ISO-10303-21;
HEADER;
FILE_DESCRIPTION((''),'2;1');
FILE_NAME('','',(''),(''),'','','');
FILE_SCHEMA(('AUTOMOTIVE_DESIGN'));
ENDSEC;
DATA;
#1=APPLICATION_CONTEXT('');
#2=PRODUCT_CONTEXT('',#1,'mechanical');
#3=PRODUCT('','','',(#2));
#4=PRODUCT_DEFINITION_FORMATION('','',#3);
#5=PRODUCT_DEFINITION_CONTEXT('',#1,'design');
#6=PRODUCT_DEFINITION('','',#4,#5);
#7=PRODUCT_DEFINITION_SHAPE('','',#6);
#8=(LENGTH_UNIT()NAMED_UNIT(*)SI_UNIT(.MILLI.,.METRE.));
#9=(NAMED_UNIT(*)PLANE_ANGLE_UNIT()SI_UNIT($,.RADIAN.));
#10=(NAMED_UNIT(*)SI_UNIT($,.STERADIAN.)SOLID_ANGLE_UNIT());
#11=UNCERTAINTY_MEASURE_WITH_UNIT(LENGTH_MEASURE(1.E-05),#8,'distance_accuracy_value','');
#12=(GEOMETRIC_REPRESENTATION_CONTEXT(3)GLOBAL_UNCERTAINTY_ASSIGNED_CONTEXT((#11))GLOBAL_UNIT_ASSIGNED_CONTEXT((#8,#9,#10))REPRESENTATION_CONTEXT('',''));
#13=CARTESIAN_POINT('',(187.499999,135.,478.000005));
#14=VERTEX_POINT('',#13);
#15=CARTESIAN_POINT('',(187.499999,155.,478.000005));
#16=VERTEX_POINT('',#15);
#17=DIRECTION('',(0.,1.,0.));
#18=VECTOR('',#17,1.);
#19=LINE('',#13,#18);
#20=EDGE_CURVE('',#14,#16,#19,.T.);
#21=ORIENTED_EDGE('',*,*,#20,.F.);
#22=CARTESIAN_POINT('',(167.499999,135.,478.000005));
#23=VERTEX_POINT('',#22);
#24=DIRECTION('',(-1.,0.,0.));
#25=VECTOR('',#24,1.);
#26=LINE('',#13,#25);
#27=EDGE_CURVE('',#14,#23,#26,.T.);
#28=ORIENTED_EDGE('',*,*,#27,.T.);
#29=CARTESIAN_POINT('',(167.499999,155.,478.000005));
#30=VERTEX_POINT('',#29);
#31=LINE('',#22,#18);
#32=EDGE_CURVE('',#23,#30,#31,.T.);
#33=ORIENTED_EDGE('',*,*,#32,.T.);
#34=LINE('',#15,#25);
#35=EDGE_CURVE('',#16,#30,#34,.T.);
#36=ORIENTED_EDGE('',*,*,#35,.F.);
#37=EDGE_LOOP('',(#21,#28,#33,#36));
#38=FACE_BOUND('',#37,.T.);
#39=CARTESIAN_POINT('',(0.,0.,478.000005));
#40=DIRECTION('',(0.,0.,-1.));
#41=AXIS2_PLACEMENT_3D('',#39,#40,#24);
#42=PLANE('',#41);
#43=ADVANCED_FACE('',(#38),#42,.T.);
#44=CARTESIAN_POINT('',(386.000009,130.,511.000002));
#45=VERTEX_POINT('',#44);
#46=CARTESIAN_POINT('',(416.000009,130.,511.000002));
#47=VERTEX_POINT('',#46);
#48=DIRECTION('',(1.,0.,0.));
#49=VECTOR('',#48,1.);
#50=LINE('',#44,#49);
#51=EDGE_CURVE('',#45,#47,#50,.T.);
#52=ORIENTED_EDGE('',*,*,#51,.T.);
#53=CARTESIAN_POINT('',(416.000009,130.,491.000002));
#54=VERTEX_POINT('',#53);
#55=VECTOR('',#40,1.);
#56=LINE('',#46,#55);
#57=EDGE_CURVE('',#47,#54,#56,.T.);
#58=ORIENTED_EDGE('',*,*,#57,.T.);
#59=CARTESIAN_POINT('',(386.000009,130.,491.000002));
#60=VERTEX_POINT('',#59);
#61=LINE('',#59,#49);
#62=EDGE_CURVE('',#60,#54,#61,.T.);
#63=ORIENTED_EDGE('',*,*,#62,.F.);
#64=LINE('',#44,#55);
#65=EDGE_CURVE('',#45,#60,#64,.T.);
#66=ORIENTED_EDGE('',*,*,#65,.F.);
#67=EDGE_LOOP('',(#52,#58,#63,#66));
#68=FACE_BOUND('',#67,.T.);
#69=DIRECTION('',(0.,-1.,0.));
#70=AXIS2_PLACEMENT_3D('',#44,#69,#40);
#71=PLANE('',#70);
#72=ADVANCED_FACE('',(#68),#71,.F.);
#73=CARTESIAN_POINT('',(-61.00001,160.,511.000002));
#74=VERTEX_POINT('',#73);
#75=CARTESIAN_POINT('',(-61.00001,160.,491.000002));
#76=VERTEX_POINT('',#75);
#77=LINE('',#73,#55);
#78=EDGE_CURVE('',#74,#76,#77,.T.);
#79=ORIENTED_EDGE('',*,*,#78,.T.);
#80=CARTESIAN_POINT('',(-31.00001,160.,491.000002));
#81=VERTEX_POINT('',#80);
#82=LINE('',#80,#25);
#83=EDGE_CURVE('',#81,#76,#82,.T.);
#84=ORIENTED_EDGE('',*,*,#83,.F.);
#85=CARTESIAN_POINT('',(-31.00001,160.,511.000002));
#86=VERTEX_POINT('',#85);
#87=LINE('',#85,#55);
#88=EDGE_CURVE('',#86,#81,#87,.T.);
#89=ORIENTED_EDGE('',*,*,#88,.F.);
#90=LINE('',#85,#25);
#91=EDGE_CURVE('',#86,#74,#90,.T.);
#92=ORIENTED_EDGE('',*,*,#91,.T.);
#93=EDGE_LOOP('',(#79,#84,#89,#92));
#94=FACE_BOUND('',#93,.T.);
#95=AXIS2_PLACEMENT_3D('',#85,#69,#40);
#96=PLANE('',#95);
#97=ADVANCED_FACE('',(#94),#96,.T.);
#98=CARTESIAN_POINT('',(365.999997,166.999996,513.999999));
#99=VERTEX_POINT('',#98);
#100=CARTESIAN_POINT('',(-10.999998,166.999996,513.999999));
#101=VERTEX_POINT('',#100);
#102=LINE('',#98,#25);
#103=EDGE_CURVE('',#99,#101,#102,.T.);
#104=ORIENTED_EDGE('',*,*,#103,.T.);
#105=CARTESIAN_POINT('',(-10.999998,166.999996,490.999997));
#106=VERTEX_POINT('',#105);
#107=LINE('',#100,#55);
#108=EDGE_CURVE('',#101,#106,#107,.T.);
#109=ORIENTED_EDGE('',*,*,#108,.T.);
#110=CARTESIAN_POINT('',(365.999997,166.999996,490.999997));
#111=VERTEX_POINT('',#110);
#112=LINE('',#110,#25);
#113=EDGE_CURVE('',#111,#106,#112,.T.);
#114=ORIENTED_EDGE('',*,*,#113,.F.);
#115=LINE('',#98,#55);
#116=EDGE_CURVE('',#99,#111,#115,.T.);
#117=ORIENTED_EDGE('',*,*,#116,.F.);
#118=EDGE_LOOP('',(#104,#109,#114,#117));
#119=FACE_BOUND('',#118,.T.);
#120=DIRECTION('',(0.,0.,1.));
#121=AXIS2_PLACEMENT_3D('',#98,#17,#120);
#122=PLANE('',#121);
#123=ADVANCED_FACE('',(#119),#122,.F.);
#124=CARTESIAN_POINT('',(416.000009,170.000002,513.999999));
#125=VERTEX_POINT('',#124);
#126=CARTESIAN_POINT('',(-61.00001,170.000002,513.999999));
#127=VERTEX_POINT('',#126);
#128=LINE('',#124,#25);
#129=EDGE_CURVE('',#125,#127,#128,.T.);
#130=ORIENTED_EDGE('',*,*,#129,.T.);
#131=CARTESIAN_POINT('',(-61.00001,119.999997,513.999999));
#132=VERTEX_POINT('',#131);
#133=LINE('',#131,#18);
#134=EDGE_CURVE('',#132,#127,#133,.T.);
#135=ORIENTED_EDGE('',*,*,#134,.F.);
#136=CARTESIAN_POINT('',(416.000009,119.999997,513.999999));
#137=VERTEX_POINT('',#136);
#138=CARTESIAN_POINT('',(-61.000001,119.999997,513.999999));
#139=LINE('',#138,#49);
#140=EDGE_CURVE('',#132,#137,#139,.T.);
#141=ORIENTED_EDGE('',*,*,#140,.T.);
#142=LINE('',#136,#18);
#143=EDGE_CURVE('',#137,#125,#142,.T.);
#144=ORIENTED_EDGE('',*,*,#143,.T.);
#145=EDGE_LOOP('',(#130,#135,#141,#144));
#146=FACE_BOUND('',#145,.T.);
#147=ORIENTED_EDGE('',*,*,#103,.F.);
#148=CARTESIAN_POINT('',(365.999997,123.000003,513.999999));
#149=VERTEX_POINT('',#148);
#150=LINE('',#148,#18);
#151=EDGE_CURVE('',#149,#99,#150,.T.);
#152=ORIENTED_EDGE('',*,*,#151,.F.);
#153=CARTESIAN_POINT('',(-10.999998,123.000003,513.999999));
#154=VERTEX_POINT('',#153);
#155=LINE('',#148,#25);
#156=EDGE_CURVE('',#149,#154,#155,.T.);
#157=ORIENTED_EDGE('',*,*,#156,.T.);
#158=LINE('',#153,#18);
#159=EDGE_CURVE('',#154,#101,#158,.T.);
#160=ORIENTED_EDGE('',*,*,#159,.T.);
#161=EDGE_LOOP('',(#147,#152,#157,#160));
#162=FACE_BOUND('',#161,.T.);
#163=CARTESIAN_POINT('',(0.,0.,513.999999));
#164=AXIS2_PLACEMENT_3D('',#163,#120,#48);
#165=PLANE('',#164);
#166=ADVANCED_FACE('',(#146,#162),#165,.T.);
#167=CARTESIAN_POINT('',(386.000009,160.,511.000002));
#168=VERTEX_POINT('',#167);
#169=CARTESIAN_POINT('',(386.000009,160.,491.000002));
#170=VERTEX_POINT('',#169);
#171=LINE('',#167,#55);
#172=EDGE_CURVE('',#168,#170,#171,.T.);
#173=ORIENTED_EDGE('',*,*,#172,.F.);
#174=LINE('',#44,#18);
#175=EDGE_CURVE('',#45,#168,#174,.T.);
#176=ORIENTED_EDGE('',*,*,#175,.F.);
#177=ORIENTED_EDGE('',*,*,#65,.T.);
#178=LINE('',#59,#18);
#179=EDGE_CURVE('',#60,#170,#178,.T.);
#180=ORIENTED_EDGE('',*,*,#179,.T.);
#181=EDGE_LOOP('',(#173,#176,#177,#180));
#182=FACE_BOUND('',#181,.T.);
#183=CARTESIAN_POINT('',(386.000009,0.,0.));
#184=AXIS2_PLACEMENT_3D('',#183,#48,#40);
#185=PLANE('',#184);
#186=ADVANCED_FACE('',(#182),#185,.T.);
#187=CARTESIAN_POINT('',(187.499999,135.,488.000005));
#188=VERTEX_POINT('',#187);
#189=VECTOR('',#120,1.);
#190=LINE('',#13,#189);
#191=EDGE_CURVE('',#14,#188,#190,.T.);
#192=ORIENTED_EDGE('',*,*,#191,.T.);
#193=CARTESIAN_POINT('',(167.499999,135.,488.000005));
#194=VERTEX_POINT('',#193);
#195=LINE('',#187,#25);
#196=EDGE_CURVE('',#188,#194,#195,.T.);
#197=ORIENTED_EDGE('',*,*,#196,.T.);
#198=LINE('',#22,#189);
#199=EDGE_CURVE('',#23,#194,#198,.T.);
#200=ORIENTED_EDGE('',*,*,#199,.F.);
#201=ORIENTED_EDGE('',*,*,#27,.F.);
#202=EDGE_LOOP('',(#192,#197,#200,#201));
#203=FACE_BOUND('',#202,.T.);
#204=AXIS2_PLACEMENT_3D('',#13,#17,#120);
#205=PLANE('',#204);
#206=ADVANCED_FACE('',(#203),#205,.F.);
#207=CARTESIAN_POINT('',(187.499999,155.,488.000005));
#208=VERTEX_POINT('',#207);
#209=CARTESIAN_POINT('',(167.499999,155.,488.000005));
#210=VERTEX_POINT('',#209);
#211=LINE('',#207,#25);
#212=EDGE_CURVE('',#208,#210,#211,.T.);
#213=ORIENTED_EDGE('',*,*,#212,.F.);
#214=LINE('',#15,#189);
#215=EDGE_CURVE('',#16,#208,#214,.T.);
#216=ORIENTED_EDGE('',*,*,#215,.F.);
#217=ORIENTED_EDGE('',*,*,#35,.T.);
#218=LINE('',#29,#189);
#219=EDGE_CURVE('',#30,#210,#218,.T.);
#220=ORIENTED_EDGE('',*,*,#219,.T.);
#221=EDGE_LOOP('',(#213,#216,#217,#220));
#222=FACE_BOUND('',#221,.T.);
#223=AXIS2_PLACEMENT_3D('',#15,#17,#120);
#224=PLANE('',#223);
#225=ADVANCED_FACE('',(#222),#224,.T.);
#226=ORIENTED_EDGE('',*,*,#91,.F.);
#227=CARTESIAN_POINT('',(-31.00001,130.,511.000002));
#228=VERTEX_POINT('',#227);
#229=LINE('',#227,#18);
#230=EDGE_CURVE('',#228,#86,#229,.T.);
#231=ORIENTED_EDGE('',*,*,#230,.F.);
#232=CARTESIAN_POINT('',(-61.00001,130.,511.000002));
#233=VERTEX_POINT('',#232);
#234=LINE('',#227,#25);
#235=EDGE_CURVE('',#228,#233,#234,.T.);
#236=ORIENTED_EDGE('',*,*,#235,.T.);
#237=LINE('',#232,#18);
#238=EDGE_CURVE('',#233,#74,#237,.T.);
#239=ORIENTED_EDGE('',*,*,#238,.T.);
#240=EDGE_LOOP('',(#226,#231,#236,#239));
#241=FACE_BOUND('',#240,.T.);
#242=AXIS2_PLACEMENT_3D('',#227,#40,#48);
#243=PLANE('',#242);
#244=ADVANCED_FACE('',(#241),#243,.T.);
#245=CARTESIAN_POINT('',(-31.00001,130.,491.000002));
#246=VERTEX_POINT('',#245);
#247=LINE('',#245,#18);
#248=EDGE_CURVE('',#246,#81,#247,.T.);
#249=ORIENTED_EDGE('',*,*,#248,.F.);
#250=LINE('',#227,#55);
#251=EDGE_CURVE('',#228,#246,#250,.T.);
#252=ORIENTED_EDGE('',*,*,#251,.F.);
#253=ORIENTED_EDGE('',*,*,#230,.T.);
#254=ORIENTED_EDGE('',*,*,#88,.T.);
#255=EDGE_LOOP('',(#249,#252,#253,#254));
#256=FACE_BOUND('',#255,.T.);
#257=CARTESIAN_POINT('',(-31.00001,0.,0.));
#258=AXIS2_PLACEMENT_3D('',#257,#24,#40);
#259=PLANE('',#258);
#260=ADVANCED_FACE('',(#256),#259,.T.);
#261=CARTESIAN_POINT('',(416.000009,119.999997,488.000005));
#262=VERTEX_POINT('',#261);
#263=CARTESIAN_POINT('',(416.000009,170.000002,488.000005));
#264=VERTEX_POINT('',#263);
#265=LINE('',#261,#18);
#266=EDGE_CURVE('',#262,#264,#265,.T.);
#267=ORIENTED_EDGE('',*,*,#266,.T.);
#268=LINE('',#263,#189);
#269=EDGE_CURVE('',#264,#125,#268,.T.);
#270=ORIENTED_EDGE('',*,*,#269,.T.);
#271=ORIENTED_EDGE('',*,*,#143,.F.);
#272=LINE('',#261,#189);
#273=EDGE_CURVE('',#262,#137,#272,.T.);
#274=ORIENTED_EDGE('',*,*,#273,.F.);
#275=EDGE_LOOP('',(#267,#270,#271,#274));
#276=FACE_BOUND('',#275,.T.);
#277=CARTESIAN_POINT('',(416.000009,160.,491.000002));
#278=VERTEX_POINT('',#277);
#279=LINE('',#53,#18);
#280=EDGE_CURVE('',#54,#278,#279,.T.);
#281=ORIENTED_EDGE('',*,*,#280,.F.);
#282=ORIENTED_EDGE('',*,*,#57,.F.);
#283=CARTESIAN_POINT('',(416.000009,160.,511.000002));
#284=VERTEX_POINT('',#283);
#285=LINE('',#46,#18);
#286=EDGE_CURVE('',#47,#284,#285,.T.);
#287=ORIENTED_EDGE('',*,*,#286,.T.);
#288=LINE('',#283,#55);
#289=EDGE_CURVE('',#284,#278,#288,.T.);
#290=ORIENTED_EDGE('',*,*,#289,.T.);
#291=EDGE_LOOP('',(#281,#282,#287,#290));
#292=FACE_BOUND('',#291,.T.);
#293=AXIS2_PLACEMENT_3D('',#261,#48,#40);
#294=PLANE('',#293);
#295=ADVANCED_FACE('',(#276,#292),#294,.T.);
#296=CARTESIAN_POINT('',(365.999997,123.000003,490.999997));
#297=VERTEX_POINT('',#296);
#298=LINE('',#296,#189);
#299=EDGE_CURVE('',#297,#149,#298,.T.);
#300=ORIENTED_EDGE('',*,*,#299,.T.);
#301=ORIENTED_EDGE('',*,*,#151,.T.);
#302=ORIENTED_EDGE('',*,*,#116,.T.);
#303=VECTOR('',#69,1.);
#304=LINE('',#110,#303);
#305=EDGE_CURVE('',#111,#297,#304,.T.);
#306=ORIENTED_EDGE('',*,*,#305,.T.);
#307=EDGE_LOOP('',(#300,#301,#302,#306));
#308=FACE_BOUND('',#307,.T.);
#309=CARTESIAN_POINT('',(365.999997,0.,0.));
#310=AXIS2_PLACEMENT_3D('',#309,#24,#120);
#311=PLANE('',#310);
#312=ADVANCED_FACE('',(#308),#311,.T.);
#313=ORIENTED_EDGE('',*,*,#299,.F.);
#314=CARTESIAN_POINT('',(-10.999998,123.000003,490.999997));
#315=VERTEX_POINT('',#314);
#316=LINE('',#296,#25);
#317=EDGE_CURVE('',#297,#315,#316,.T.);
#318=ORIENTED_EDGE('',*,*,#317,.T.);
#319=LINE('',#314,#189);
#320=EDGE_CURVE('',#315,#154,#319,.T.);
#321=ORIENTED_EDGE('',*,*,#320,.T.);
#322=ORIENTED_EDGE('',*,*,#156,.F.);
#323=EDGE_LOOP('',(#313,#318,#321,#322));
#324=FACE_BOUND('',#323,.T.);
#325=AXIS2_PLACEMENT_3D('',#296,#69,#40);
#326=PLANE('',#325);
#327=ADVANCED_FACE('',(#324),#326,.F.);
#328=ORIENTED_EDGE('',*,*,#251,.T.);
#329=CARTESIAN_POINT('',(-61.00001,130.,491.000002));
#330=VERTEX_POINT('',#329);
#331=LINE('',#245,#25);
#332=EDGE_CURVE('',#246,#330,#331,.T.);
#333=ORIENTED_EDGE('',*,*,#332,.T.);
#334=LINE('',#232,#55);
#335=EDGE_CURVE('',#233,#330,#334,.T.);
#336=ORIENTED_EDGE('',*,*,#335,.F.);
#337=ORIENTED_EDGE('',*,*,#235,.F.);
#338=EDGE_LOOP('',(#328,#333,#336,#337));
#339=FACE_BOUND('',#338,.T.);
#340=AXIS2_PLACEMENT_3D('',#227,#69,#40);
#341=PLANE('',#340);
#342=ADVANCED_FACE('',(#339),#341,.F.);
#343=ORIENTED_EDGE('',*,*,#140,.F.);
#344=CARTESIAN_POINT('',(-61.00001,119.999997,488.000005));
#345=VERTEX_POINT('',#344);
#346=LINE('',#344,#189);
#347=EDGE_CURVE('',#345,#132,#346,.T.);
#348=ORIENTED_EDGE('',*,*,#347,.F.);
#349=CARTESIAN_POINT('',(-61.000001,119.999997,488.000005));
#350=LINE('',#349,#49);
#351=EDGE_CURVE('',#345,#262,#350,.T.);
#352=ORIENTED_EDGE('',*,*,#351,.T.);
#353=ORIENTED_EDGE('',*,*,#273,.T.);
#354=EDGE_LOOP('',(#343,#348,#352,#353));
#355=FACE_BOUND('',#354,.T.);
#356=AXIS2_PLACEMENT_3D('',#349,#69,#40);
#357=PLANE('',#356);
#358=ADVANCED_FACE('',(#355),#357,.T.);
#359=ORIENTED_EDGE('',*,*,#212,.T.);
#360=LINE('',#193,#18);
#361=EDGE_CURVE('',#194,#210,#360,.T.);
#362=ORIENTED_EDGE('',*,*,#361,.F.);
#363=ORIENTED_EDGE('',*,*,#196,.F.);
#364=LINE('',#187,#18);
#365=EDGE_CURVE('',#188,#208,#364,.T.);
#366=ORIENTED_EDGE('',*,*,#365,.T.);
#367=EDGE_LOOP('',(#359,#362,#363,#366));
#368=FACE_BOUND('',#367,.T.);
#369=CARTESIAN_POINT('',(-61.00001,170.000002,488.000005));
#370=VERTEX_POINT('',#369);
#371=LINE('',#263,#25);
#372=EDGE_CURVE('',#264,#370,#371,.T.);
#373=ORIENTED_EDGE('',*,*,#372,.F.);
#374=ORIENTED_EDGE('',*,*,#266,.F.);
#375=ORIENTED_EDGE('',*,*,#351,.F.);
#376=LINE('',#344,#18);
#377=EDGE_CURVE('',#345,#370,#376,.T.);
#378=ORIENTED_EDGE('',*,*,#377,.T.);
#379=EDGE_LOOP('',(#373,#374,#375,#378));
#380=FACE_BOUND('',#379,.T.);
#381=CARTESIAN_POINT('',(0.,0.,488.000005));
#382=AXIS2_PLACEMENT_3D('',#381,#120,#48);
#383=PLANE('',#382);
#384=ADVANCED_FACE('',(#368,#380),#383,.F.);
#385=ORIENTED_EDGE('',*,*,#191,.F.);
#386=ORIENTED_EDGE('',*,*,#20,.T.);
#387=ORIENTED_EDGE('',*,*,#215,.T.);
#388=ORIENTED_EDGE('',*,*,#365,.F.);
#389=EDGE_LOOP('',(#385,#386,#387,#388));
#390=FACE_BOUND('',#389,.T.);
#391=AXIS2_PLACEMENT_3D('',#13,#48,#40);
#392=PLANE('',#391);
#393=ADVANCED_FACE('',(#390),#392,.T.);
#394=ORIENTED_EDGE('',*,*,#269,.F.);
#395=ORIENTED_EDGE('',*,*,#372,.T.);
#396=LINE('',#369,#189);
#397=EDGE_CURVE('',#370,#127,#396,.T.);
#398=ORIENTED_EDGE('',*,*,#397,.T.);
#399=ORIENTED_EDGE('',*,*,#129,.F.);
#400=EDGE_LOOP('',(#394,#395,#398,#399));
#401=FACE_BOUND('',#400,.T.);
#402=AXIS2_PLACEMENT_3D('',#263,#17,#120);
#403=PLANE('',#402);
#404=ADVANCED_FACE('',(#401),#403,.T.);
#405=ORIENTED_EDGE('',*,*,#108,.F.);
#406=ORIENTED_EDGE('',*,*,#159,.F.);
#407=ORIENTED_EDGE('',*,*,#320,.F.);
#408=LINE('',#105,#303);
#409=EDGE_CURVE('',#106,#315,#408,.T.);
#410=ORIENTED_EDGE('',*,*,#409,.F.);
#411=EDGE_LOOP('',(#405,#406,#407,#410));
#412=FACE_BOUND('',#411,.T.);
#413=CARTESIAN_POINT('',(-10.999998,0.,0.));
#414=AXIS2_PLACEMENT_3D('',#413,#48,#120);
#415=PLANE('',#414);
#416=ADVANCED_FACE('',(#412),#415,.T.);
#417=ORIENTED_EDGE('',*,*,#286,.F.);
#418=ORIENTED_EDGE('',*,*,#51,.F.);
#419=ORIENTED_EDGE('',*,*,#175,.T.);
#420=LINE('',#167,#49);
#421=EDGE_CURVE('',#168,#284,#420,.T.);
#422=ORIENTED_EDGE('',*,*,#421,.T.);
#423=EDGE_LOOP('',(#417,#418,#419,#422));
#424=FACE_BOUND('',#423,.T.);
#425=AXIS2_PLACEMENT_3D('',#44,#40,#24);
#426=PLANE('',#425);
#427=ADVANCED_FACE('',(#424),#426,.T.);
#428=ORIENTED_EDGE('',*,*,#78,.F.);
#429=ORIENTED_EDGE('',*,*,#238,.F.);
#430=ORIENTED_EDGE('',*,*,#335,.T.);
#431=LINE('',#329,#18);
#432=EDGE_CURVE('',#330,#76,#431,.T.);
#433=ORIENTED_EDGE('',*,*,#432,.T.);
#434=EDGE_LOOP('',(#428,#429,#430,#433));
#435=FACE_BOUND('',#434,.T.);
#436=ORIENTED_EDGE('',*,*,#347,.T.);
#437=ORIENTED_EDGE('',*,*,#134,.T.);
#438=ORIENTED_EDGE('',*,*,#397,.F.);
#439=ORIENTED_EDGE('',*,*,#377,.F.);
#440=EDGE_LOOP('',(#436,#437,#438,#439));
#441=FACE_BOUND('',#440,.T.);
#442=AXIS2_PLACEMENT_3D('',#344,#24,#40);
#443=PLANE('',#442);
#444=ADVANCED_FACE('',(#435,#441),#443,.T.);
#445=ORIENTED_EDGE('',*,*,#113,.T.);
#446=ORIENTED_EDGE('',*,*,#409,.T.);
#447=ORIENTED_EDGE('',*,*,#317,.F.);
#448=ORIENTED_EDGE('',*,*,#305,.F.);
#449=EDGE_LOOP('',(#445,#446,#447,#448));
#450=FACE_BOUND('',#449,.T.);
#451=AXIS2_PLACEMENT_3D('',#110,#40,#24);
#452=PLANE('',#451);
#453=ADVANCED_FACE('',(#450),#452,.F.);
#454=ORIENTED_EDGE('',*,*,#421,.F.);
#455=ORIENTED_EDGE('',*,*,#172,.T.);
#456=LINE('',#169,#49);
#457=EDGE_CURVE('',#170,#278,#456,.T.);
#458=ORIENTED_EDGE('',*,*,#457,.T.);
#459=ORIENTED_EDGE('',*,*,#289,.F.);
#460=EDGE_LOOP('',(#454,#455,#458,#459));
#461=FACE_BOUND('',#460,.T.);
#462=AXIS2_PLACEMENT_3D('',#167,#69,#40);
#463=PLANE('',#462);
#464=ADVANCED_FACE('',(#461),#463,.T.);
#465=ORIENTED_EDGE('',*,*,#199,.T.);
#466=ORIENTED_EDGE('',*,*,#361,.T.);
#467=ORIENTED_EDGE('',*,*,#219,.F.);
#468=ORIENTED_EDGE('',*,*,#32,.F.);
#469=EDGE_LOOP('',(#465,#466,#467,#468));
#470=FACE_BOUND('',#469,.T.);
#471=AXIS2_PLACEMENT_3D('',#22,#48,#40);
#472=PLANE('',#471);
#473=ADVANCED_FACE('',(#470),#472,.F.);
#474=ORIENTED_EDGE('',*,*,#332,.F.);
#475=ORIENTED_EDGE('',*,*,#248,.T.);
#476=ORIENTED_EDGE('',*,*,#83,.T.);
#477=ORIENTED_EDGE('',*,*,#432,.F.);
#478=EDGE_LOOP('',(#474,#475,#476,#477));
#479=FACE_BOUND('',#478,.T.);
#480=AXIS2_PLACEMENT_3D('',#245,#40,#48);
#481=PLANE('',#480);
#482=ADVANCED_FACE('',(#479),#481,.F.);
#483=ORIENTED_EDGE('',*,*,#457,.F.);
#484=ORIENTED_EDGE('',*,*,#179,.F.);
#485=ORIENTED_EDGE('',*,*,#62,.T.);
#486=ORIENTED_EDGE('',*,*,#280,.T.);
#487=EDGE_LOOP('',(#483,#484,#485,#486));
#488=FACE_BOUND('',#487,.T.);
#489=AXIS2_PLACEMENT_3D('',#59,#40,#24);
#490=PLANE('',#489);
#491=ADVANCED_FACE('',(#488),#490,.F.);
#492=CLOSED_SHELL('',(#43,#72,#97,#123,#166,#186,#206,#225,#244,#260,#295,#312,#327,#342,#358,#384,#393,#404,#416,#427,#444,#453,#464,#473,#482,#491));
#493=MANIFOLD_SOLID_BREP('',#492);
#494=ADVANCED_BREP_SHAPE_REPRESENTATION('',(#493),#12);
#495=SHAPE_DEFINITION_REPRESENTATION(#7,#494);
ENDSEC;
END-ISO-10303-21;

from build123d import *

# Parameters (mm, degrees)
SKETCH1_W           = 477.000009268
SKETCH1_H           = 50.00000447
BOSS_EXTRUDE1_DEPTH = 25.999993086
SKETCH2_W           = 23.000001907
SKETCH2_H           = 43.999992311
CUT_EXTRUDE1_DEPTH  = 426.999997348
SKETCH3_W           = 19.999980927
SKETCH3_H           = 30.000001192
CUT_EXTRUDE2_DEPTH  = 30.000001192
MOVE_FACE1_BY       = 238.5
MOVE_FACE2_BY       = 30
SKETCH6_W           = 20
SKETCH6_H           = 30
CUT_EXTRUDE3_DEPTH  = 30
SKETCH7_W           = 20
SKETCH7_H           = 20
BOSS_EXTRUDE3_DEPTH = 10


with BuildPart() as part:
    # Sketch1 → Boss-Extrude1 (new body)
    with BuildSketch(Plane.XY.offset(513.999998569)):
        with Locations((177.500003949, 144.999999553)):
            Rectangle(SKETCH1_W, SKETCH1_H)
    extrude(amount=-BOSS_EXTRUDE1_DEPTH)

    # Sketch2 → Cut-Extrude1 (cut)
    with BuildSketch(Plane.ZY.offset(61.000000685)):
        with Locations((502.499997616, 144.999999553)):
            Rectangle(SKETCH2_W, SKETCH2_H)
    extrude(amount=-CUT_EXTRUDE1_DEPTH, mode=Mode.SUBTRACT)

    # Sketch3 → Cut-Extrude2 (cut)
    with BuildSketch(Plane(origin=(416.000008583, 0, 0), x_dir=(0, 0, -1), z_dir=(1, 0, 0))):
        with Locations((-500.999987126, 144.999995828)):
            Rectangle(SKETCH3_W, SKETCH3_H)
    extrude(amount=-CUT_EXTRUDE2_DEPTH, mode=Mode.SUBTRACT)

    # Move Face1: a face moved inward by 238.5
    extrude(part.faces().sort_by_distance((-61.000000685, 144.999999553, 490.600004792))[0], amount=MOVE_FACE1_BY, dir=(1, 0, 0), mode=Mode.SUBTRACT)

    # Move Face2: a face moved outward by 30.0
    extrude(part.faces().sort_by_distance((386.000007391, 144.999995828, 500.999987125))[0], amount=MOVE_FACE2_BY, dir=(1, 0, 0))

    # Sketch6 → Cut-Extrude3 (cut)
    with BuildSketch(Plane(origin=(416.000008583, 0, 0), x_dir=(0, 0, -1), z_dir=(1, 0, 0))):
        with Locations((-501.000002027, 144.999999553)):
            Rectangle(SKETCH6_W, SKETCH6_H)
    extrude(amount=-CUT_EXTRUDE3_DEPTH, mode=Mode.SUBTRACT)

    # Mirror3: part across plane


with BuildPart() as part_1:
    add(part.part)
    add(part.part.mirror(Plane(origin=(177.499999315, 170.000001788, 488.000005484), x_dir=(0, 0, 1), z_dir=(-1, 0, 0))))

    # Sketch7 → Boss-Extrude3 (add)
    with BuildSketch(Plane(origin=(0, 0, 488.000005484), x_dir=(-1, 0, 0), z_dir=(0, 0, -1))):
        with Locations((-177.499999315, 144.999999553)):
            Rectangle(SKETCH7_W, SKETCH7_H)
    extrude(amount=BOSS_EXTRUDE3_DEPTH)


solid = part_1.part
